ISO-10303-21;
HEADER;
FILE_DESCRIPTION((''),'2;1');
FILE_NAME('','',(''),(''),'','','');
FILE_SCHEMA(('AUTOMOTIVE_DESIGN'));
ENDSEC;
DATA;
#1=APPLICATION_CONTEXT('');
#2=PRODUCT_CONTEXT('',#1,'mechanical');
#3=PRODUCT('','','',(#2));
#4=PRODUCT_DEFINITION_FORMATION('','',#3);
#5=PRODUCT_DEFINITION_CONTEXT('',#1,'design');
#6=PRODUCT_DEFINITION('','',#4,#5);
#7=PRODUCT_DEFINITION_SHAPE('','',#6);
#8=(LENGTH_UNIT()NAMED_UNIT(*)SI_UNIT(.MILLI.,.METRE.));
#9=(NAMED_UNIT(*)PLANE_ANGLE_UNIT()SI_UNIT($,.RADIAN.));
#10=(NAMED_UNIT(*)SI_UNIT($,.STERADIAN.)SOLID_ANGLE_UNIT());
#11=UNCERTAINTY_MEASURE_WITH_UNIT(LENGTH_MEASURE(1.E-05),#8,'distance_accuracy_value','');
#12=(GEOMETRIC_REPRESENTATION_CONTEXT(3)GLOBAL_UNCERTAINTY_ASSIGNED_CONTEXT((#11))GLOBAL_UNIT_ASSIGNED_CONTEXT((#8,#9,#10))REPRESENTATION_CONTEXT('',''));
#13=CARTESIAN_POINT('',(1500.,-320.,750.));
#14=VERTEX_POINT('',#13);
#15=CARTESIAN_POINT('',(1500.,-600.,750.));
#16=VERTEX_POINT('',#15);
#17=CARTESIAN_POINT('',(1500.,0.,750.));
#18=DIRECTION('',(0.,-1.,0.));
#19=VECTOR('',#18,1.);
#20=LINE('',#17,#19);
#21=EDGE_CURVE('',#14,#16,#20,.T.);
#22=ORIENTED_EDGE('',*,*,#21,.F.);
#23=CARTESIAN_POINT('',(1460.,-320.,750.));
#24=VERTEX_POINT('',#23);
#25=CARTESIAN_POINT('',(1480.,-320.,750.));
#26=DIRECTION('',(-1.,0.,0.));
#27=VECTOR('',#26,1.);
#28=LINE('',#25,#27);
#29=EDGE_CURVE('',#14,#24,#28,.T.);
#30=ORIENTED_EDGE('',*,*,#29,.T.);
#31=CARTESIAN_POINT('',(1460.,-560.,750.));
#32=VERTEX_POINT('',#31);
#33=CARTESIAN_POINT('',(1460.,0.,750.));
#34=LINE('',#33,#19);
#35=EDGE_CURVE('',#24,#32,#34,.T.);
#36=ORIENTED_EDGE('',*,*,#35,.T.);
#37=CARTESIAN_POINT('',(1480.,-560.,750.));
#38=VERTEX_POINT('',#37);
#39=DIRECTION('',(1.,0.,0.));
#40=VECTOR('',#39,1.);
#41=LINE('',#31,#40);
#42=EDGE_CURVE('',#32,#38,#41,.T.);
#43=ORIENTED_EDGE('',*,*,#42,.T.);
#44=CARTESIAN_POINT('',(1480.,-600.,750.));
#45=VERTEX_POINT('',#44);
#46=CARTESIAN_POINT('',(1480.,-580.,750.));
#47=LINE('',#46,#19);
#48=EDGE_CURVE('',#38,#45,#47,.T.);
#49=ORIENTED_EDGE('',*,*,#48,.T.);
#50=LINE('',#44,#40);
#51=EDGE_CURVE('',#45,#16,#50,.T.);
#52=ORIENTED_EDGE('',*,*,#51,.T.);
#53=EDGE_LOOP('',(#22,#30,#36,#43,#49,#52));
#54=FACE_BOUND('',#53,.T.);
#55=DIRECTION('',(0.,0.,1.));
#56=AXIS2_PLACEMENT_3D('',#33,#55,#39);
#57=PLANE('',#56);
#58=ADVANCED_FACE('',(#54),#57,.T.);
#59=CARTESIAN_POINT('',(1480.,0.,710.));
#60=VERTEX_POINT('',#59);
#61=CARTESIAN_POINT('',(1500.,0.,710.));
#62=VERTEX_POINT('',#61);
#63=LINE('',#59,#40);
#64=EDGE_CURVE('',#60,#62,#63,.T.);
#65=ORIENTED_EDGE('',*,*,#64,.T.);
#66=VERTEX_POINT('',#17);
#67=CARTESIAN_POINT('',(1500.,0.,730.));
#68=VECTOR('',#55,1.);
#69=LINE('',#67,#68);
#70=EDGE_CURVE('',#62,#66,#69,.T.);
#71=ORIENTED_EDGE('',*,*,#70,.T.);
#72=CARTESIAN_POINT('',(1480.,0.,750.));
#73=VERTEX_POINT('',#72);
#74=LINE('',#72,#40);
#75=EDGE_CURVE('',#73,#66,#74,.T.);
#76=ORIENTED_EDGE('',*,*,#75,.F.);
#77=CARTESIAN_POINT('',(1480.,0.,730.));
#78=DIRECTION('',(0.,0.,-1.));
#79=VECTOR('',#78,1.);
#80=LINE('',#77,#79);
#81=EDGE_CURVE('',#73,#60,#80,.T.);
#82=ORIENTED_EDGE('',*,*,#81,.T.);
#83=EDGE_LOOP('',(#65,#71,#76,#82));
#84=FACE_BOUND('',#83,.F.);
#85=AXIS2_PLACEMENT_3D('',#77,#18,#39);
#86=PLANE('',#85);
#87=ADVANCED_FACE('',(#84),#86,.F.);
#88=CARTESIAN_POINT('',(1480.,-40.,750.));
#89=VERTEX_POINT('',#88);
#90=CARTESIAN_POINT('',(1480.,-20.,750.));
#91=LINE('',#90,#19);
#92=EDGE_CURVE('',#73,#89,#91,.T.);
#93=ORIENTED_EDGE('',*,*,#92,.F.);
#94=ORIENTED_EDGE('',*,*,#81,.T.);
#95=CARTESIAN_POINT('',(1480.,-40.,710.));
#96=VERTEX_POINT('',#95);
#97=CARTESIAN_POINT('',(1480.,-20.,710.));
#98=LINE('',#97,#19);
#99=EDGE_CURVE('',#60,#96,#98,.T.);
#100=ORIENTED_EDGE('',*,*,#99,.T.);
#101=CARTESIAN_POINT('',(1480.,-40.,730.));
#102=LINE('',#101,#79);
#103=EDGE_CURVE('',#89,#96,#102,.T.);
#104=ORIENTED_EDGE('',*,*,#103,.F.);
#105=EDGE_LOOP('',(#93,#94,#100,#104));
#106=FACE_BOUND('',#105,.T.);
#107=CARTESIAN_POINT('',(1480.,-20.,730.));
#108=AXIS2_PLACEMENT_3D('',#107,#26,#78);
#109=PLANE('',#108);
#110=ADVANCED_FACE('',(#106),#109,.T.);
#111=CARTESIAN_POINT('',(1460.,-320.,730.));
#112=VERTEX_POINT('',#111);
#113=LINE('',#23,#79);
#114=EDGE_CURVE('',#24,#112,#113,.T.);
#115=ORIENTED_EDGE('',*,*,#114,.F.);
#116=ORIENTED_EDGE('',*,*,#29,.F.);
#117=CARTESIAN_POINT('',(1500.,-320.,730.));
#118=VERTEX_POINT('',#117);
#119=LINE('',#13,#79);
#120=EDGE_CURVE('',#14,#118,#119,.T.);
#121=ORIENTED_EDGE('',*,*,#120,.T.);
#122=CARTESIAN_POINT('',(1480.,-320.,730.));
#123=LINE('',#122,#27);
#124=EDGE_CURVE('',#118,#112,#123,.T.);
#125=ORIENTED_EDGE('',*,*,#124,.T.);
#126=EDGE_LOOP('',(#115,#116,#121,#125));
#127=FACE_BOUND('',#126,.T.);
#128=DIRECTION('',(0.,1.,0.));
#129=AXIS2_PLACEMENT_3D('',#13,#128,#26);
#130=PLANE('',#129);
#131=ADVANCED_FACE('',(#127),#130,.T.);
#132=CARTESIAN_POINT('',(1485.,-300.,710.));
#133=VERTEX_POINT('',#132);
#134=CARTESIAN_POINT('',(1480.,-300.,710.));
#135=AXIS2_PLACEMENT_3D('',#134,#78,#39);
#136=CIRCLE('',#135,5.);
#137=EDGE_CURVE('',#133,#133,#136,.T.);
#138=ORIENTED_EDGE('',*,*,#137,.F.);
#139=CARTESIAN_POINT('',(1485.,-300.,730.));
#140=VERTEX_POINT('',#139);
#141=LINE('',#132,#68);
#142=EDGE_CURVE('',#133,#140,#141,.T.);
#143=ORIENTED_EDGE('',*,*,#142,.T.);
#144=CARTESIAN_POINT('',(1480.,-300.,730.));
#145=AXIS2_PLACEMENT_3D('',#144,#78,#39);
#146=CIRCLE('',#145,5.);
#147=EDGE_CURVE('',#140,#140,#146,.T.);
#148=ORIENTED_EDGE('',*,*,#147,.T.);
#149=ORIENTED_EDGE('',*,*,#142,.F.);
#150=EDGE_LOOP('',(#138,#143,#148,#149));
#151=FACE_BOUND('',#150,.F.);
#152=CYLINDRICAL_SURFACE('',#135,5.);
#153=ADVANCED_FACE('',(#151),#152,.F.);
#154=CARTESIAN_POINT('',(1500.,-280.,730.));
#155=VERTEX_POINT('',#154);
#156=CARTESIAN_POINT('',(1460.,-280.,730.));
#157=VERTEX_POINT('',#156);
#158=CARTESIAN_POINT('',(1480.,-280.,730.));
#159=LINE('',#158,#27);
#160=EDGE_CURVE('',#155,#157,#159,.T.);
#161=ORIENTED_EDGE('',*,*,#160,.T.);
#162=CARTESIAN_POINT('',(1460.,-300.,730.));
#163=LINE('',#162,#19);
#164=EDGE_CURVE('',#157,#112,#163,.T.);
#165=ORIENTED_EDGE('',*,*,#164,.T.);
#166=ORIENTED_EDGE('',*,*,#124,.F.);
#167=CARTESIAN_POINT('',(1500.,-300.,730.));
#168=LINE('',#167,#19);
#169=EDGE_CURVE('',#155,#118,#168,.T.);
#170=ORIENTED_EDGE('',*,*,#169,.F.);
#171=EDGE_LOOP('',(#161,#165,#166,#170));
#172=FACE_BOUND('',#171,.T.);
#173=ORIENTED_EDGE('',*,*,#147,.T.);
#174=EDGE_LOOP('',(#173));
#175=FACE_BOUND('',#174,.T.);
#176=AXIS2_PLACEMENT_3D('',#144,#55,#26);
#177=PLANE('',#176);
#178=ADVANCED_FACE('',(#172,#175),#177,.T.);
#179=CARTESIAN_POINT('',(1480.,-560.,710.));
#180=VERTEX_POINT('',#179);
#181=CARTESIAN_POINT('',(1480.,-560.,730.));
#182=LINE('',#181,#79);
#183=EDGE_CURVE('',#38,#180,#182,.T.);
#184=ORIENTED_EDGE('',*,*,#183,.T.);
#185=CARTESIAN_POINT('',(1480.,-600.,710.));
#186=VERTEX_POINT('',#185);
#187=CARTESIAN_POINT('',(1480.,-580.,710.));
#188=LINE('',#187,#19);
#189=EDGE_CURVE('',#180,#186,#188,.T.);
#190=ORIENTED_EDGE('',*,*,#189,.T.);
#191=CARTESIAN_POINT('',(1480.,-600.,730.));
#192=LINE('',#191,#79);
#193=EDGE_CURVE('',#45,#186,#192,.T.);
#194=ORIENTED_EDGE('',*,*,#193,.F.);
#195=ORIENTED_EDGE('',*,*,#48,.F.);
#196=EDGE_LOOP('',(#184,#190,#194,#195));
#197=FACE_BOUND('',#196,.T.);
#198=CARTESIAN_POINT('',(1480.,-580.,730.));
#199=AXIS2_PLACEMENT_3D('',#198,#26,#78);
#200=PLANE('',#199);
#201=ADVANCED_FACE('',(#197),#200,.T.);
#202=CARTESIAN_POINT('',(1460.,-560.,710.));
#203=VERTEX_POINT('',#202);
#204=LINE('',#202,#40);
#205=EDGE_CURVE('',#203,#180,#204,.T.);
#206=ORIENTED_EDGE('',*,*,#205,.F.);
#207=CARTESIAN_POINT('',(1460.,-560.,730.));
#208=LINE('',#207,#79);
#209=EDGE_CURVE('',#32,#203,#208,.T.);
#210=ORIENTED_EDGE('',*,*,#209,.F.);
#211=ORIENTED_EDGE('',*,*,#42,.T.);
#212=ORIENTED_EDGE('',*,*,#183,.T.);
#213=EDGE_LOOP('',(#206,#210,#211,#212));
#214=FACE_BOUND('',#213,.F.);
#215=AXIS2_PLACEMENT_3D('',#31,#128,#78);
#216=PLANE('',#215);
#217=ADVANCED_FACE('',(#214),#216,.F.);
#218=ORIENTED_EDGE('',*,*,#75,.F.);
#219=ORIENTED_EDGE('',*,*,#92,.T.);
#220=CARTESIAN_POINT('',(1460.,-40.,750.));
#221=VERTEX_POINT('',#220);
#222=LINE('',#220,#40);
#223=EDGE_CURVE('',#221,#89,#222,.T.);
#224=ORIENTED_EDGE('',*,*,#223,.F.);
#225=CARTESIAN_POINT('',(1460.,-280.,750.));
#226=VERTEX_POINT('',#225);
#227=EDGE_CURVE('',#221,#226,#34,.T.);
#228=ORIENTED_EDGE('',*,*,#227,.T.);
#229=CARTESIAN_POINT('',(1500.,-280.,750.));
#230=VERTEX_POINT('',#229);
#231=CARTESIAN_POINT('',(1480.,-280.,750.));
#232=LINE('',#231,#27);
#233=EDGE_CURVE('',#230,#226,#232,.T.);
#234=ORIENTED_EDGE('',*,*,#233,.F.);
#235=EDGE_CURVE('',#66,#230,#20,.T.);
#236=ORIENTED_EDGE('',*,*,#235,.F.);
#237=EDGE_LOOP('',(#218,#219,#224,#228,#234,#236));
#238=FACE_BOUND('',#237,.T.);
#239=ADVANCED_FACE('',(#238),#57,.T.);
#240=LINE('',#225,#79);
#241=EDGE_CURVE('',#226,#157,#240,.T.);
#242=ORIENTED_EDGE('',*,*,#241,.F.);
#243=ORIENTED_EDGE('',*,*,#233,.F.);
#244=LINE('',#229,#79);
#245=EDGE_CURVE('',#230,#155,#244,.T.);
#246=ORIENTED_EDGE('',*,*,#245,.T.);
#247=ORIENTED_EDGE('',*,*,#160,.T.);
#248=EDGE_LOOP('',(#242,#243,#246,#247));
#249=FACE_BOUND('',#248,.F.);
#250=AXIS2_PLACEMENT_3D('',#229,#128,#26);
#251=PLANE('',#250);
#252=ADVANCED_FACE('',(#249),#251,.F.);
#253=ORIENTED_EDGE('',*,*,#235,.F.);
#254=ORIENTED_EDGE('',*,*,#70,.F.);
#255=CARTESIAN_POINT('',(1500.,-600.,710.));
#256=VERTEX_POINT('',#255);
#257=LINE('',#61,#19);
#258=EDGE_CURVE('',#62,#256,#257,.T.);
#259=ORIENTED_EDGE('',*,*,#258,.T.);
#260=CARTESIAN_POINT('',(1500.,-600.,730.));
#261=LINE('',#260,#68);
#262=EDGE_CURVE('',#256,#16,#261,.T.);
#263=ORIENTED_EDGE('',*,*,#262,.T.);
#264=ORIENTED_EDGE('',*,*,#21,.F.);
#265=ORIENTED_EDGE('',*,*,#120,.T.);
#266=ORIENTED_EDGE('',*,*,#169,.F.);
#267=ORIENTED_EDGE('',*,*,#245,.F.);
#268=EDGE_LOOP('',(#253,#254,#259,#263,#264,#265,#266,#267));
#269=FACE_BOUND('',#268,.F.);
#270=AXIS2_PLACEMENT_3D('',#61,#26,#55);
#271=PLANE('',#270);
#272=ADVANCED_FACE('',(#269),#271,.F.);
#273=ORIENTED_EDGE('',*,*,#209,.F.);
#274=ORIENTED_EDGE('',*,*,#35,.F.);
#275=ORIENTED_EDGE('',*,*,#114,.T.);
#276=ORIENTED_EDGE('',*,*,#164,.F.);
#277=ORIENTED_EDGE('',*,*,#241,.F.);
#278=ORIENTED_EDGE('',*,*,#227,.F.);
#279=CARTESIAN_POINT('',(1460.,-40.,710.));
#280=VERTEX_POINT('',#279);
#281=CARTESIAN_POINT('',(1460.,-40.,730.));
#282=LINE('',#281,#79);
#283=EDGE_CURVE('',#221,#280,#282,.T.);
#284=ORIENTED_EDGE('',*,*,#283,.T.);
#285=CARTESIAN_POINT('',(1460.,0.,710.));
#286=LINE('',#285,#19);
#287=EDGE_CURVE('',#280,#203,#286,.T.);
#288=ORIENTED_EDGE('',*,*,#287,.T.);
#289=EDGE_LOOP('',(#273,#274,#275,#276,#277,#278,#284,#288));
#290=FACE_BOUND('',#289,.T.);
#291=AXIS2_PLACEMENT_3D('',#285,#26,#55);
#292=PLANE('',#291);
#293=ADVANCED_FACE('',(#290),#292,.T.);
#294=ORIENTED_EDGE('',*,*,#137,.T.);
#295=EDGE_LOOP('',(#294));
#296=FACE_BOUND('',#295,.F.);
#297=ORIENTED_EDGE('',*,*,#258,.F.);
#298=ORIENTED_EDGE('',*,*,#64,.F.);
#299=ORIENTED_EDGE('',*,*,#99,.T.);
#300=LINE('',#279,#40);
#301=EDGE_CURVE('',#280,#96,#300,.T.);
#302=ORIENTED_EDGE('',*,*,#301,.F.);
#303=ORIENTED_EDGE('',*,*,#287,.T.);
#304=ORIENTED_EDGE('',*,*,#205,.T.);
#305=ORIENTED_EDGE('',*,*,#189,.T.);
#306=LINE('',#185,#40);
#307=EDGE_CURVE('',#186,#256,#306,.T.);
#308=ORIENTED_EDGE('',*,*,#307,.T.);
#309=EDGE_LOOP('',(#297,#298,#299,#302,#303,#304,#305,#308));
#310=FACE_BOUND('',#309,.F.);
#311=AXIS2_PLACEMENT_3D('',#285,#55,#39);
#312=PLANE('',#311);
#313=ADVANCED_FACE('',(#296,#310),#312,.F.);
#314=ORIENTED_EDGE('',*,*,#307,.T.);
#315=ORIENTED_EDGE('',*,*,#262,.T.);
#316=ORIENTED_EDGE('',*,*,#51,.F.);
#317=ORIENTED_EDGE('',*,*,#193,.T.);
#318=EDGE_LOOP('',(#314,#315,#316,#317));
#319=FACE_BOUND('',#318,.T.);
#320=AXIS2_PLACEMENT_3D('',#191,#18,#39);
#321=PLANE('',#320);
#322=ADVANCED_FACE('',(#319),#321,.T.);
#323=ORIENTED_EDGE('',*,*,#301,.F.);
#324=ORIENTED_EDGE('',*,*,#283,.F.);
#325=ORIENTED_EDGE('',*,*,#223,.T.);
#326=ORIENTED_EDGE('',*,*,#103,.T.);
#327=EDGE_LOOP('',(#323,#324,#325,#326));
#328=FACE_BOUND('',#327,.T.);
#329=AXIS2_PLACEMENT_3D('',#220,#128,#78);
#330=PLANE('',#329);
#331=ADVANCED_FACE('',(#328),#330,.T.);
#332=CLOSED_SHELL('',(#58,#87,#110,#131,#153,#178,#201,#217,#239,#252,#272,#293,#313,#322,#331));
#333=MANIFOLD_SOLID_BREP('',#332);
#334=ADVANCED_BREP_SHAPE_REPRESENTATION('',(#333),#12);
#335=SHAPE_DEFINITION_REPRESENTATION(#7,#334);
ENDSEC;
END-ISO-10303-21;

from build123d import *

# Parameters (mm, degrees)
SKETCH018_W     = 40
SKETCH018_H     = 40
PAD018_DEPTH    = 600
SKETCH019_W     = 40
SKETCH019_H     = 40
POCKET_DEPTH    = 20
SKETCH020_W     = 40
SKETCH020_H     = 40
POCKET001_DEPTH = 20
SKETCH064_R     = 5
POCKET019_DEPTH = 40.001


with BuildPart() as part:
    # Sketch018 → Pad018 (new body)
    with BuildSketch(Plane.XZ):
        with Locations((20, 280)):
            Rectangle(SKETCH018_W, SKETCH018_H)
    extrude(amount=PAD018_DEPTH)

    # Sketch019 (on Face4 of Pad018) → Pocket (cut)
    with BuildSketch(Plane(origin=(0, 0, 0), x_dir=(0, 0, -1), z_dir=(-1, 0, 0))):
        with Locations((-280, 580)):
            Rectangle(SKETCH019_W, SKETCH019_H)
        with Locations((-280, 20)):
            Rectangle(SKETCH019_W, SKETCH019_H)
    extrude(amount=-POCKET_DEPTH, mode=Mode.SUBTRACT)

    # Sketch020 (on Face1 of Pocket) → Pocket001 (cut)
    with BuildSketch(Plane(origin=(0, 0, 300), x_dir=(-1, 0, 0), z_dir=(0, 0, 1))):
        with Locations((-20, 300)):
            Rectangle(SKETCH020_W, SKETCH020_H)
    extrude(amount=-POCKET001_DEPTH, mode=Mode.SUBTRACT)

    # Sketch064 (on Face8 of Pocket001) → Pocket019 (cut, through all)
    with BuildSketch(Plane(origin=(0, 0, 260), x_dir=(1, 0, 0), z_dir=(0, 0, -1))):
        with Locations((20, 300)):
            Circle(SKETCH064_R)
    extrude(amount=-POCKET019_DEPTH, mode=Mode.SUBTRACT)


with BuildPart() as part_1:
    # Clone007 placement: moved
    add(part.part.moved(Location((1460, 0, 0))))


with BuildPart() as part_2:
    # Clone013 placement: moved
    add(part_1.part.moved(Location((0, 0, 450))))


solid = part_2.part
